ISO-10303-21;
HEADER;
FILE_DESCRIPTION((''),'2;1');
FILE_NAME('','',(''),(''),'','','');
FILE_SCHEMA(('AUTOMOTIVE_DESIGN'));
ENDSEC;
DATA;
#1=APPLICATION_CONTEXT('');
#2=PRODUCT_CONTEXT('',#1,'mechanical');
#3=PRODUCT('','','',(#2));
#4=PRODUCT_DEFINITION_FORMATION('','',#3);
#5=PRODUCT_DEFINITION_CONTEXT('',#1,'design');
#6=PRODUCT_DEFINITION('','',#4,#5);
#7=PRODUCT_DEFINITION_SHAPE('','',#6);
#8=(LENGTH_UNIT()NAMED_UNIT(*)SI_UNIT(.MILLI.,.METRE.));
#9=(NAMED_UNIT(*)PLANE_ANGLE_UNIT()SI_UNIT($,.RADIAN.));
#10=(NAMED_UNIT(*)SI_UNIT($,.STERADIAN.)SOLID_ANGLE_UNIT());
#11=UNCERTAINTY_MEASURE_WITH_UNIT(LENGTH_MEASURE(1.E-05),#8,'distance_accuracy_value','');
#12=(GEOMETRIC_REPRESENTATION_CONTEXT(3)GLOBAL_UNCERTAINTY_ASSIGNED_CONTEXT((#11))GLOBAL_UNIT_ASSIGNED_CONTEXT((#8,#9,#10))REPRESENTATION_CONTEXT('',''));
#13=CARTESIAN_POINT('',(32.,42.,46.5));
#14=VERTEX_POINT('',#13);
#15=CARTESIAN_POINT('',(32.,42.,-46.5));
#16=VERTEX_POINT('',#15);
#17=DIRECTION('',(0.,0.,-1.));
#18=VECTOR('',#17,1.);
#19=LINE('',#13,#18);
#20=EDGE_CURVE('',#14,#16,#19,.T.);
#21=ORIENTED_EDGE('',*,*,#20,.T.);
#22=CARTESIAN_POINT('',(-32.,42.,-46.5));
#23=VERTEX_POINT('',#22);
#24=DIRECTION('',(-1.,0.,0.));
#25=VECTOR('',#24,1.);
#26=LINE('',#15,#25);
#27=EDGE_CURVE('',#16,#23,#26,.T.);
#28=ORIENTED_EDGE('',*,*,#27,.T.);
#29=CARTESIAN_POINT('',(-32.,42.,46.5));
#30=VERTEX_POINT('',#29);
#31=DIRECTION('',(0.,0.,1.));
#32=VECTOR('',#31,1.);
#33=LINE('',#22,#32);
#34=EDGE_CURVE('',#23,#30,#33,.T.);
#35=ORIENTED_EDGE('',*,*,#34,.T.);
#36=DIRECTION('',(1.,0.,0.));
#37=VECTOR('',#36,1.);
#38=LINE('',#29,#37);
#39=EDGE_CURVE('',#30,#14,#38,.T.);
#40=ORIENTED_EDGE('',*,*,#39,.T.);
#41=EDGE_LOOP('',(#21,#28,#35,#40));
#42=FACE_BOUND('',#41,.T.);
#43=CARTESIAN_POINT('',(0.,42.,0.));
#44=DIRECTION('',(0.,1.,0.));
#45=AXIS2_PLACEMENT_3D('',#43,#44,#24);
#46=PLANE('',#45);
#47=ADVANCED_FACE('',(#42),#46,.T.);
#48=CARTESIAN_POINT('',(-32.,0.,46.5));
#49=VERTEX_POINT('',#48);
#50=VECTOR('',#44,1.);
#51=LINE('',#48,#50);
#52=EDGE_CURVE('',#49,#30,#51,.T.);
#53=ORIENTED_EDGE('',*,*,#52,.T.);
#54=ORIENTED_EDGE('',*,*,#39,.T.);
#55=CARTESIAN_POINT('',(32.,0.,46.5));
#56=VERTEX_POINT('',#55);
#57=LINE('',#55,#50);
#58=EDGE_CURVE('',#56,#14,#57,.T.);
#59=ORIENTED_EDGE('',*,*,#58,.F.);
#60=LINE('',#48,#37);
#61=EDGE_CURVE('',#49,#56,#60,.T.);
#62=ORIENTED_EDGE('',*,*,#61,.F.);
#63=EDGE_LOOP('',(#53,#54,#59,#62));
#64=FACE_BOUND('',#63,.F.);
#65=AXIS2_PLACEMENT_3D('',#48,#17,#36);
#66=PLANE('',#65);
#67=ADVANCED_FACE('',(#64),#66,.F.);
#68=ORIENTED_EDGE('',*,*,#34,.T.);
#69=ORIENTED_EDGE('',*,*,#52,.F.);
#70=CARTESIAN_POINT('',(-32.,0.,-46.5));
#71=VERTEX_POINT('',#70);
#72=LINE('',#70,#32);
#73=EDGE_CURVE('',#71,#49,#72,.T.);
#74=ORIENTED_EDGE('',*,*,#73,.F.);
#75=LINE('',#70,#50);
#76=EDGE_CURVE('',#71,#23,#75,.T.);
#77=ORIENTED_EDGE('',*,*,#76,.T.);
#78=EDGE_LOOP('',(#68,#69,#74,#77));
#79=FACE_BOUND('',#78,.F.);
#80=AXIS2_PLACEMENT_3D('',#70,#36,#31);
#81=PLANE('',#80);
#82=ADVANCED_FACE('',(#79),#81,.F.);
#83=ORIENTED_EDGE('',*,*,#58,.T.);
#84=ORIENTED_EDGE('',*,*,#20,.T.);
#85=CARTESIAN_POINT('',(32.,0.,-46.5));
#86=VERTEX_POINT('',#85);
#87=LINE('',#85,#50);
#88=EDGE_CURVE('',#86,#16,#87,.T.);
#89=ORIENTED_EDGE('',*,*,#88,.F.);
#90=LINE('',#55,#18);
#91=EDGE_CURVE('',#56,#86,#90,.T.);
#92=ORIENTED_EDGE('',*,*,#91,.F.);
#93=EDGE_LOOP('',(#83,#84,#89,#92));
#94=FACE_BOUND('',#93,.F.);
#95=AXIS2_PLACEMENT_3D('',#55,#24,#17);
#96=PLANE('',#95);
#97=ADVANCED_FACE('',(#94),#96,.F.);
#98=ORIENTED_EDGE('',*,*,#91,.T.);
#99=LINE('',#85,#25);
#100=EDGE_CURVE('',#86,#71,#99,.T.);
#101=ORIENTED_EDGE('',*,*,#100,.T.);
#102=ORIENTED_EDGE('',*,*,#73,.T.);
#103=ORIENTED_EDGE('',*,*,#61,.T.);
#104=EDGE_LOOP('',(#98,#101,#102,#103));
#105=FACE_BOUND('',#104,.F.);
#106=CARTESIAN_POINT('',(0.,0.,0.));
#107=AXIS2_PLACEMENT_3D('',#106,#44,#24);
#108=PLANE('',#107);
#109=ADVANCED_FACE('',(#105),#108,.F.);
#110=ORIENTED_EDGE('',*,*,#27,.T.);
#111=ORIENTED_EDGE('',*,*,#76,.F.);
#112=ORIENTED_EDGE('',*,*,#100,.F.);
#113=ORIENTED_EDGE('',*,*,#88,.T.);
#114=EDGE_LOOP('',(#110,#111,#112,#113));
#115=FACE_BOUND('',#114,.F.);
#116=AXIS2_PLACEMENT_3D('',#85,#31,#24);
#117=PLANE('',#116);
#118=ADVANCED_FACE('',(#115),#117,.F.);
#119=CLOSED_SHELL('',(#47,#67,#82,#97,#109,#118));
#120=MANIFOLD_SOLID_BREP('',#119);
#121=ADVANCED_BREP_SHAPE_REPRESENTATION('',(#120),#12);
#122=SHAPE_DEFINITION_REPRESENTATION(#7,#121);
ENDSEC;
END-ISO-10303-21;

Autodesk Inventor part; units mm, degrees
ref_plane "YZ Plane" through (0, 0, 0) normal (1, 0, 0) x (0, 1, 0)
ref_plane "XZ Plane" through (0, 0, 0) normal (0, 1, 0) x (-1, 0, 0)
ref_plane "XY Plane" through (0, 0, 0) normal (0, 0, 1) x (1, 0, 0)
sketch "Sketch1" plane through (0, 0, 0) normal (0, 1, 0) x (-1, 0, 0)
  line L0 (-32, -46.5) -> (32, -46.5)
  line L1 (32, -46.5) -> (32, 46.5)
  line L2 (32, 46.5) -> (-32, 46.5)
  line L3 (-32, 46.5) -> (-32, -46.5)
  line L4 (-32, -46.5) -> (32, 46.5) construction
  line L5 (32, -46.5) -> (-32, 46.5) construction
  point P0 (0, 0)
  dimension "d0" = 64
  dimension "d1" = 93
extrude "Extrusion1" add sketch "Sketch1" along normal blind 42
properties part number "RasPi"
